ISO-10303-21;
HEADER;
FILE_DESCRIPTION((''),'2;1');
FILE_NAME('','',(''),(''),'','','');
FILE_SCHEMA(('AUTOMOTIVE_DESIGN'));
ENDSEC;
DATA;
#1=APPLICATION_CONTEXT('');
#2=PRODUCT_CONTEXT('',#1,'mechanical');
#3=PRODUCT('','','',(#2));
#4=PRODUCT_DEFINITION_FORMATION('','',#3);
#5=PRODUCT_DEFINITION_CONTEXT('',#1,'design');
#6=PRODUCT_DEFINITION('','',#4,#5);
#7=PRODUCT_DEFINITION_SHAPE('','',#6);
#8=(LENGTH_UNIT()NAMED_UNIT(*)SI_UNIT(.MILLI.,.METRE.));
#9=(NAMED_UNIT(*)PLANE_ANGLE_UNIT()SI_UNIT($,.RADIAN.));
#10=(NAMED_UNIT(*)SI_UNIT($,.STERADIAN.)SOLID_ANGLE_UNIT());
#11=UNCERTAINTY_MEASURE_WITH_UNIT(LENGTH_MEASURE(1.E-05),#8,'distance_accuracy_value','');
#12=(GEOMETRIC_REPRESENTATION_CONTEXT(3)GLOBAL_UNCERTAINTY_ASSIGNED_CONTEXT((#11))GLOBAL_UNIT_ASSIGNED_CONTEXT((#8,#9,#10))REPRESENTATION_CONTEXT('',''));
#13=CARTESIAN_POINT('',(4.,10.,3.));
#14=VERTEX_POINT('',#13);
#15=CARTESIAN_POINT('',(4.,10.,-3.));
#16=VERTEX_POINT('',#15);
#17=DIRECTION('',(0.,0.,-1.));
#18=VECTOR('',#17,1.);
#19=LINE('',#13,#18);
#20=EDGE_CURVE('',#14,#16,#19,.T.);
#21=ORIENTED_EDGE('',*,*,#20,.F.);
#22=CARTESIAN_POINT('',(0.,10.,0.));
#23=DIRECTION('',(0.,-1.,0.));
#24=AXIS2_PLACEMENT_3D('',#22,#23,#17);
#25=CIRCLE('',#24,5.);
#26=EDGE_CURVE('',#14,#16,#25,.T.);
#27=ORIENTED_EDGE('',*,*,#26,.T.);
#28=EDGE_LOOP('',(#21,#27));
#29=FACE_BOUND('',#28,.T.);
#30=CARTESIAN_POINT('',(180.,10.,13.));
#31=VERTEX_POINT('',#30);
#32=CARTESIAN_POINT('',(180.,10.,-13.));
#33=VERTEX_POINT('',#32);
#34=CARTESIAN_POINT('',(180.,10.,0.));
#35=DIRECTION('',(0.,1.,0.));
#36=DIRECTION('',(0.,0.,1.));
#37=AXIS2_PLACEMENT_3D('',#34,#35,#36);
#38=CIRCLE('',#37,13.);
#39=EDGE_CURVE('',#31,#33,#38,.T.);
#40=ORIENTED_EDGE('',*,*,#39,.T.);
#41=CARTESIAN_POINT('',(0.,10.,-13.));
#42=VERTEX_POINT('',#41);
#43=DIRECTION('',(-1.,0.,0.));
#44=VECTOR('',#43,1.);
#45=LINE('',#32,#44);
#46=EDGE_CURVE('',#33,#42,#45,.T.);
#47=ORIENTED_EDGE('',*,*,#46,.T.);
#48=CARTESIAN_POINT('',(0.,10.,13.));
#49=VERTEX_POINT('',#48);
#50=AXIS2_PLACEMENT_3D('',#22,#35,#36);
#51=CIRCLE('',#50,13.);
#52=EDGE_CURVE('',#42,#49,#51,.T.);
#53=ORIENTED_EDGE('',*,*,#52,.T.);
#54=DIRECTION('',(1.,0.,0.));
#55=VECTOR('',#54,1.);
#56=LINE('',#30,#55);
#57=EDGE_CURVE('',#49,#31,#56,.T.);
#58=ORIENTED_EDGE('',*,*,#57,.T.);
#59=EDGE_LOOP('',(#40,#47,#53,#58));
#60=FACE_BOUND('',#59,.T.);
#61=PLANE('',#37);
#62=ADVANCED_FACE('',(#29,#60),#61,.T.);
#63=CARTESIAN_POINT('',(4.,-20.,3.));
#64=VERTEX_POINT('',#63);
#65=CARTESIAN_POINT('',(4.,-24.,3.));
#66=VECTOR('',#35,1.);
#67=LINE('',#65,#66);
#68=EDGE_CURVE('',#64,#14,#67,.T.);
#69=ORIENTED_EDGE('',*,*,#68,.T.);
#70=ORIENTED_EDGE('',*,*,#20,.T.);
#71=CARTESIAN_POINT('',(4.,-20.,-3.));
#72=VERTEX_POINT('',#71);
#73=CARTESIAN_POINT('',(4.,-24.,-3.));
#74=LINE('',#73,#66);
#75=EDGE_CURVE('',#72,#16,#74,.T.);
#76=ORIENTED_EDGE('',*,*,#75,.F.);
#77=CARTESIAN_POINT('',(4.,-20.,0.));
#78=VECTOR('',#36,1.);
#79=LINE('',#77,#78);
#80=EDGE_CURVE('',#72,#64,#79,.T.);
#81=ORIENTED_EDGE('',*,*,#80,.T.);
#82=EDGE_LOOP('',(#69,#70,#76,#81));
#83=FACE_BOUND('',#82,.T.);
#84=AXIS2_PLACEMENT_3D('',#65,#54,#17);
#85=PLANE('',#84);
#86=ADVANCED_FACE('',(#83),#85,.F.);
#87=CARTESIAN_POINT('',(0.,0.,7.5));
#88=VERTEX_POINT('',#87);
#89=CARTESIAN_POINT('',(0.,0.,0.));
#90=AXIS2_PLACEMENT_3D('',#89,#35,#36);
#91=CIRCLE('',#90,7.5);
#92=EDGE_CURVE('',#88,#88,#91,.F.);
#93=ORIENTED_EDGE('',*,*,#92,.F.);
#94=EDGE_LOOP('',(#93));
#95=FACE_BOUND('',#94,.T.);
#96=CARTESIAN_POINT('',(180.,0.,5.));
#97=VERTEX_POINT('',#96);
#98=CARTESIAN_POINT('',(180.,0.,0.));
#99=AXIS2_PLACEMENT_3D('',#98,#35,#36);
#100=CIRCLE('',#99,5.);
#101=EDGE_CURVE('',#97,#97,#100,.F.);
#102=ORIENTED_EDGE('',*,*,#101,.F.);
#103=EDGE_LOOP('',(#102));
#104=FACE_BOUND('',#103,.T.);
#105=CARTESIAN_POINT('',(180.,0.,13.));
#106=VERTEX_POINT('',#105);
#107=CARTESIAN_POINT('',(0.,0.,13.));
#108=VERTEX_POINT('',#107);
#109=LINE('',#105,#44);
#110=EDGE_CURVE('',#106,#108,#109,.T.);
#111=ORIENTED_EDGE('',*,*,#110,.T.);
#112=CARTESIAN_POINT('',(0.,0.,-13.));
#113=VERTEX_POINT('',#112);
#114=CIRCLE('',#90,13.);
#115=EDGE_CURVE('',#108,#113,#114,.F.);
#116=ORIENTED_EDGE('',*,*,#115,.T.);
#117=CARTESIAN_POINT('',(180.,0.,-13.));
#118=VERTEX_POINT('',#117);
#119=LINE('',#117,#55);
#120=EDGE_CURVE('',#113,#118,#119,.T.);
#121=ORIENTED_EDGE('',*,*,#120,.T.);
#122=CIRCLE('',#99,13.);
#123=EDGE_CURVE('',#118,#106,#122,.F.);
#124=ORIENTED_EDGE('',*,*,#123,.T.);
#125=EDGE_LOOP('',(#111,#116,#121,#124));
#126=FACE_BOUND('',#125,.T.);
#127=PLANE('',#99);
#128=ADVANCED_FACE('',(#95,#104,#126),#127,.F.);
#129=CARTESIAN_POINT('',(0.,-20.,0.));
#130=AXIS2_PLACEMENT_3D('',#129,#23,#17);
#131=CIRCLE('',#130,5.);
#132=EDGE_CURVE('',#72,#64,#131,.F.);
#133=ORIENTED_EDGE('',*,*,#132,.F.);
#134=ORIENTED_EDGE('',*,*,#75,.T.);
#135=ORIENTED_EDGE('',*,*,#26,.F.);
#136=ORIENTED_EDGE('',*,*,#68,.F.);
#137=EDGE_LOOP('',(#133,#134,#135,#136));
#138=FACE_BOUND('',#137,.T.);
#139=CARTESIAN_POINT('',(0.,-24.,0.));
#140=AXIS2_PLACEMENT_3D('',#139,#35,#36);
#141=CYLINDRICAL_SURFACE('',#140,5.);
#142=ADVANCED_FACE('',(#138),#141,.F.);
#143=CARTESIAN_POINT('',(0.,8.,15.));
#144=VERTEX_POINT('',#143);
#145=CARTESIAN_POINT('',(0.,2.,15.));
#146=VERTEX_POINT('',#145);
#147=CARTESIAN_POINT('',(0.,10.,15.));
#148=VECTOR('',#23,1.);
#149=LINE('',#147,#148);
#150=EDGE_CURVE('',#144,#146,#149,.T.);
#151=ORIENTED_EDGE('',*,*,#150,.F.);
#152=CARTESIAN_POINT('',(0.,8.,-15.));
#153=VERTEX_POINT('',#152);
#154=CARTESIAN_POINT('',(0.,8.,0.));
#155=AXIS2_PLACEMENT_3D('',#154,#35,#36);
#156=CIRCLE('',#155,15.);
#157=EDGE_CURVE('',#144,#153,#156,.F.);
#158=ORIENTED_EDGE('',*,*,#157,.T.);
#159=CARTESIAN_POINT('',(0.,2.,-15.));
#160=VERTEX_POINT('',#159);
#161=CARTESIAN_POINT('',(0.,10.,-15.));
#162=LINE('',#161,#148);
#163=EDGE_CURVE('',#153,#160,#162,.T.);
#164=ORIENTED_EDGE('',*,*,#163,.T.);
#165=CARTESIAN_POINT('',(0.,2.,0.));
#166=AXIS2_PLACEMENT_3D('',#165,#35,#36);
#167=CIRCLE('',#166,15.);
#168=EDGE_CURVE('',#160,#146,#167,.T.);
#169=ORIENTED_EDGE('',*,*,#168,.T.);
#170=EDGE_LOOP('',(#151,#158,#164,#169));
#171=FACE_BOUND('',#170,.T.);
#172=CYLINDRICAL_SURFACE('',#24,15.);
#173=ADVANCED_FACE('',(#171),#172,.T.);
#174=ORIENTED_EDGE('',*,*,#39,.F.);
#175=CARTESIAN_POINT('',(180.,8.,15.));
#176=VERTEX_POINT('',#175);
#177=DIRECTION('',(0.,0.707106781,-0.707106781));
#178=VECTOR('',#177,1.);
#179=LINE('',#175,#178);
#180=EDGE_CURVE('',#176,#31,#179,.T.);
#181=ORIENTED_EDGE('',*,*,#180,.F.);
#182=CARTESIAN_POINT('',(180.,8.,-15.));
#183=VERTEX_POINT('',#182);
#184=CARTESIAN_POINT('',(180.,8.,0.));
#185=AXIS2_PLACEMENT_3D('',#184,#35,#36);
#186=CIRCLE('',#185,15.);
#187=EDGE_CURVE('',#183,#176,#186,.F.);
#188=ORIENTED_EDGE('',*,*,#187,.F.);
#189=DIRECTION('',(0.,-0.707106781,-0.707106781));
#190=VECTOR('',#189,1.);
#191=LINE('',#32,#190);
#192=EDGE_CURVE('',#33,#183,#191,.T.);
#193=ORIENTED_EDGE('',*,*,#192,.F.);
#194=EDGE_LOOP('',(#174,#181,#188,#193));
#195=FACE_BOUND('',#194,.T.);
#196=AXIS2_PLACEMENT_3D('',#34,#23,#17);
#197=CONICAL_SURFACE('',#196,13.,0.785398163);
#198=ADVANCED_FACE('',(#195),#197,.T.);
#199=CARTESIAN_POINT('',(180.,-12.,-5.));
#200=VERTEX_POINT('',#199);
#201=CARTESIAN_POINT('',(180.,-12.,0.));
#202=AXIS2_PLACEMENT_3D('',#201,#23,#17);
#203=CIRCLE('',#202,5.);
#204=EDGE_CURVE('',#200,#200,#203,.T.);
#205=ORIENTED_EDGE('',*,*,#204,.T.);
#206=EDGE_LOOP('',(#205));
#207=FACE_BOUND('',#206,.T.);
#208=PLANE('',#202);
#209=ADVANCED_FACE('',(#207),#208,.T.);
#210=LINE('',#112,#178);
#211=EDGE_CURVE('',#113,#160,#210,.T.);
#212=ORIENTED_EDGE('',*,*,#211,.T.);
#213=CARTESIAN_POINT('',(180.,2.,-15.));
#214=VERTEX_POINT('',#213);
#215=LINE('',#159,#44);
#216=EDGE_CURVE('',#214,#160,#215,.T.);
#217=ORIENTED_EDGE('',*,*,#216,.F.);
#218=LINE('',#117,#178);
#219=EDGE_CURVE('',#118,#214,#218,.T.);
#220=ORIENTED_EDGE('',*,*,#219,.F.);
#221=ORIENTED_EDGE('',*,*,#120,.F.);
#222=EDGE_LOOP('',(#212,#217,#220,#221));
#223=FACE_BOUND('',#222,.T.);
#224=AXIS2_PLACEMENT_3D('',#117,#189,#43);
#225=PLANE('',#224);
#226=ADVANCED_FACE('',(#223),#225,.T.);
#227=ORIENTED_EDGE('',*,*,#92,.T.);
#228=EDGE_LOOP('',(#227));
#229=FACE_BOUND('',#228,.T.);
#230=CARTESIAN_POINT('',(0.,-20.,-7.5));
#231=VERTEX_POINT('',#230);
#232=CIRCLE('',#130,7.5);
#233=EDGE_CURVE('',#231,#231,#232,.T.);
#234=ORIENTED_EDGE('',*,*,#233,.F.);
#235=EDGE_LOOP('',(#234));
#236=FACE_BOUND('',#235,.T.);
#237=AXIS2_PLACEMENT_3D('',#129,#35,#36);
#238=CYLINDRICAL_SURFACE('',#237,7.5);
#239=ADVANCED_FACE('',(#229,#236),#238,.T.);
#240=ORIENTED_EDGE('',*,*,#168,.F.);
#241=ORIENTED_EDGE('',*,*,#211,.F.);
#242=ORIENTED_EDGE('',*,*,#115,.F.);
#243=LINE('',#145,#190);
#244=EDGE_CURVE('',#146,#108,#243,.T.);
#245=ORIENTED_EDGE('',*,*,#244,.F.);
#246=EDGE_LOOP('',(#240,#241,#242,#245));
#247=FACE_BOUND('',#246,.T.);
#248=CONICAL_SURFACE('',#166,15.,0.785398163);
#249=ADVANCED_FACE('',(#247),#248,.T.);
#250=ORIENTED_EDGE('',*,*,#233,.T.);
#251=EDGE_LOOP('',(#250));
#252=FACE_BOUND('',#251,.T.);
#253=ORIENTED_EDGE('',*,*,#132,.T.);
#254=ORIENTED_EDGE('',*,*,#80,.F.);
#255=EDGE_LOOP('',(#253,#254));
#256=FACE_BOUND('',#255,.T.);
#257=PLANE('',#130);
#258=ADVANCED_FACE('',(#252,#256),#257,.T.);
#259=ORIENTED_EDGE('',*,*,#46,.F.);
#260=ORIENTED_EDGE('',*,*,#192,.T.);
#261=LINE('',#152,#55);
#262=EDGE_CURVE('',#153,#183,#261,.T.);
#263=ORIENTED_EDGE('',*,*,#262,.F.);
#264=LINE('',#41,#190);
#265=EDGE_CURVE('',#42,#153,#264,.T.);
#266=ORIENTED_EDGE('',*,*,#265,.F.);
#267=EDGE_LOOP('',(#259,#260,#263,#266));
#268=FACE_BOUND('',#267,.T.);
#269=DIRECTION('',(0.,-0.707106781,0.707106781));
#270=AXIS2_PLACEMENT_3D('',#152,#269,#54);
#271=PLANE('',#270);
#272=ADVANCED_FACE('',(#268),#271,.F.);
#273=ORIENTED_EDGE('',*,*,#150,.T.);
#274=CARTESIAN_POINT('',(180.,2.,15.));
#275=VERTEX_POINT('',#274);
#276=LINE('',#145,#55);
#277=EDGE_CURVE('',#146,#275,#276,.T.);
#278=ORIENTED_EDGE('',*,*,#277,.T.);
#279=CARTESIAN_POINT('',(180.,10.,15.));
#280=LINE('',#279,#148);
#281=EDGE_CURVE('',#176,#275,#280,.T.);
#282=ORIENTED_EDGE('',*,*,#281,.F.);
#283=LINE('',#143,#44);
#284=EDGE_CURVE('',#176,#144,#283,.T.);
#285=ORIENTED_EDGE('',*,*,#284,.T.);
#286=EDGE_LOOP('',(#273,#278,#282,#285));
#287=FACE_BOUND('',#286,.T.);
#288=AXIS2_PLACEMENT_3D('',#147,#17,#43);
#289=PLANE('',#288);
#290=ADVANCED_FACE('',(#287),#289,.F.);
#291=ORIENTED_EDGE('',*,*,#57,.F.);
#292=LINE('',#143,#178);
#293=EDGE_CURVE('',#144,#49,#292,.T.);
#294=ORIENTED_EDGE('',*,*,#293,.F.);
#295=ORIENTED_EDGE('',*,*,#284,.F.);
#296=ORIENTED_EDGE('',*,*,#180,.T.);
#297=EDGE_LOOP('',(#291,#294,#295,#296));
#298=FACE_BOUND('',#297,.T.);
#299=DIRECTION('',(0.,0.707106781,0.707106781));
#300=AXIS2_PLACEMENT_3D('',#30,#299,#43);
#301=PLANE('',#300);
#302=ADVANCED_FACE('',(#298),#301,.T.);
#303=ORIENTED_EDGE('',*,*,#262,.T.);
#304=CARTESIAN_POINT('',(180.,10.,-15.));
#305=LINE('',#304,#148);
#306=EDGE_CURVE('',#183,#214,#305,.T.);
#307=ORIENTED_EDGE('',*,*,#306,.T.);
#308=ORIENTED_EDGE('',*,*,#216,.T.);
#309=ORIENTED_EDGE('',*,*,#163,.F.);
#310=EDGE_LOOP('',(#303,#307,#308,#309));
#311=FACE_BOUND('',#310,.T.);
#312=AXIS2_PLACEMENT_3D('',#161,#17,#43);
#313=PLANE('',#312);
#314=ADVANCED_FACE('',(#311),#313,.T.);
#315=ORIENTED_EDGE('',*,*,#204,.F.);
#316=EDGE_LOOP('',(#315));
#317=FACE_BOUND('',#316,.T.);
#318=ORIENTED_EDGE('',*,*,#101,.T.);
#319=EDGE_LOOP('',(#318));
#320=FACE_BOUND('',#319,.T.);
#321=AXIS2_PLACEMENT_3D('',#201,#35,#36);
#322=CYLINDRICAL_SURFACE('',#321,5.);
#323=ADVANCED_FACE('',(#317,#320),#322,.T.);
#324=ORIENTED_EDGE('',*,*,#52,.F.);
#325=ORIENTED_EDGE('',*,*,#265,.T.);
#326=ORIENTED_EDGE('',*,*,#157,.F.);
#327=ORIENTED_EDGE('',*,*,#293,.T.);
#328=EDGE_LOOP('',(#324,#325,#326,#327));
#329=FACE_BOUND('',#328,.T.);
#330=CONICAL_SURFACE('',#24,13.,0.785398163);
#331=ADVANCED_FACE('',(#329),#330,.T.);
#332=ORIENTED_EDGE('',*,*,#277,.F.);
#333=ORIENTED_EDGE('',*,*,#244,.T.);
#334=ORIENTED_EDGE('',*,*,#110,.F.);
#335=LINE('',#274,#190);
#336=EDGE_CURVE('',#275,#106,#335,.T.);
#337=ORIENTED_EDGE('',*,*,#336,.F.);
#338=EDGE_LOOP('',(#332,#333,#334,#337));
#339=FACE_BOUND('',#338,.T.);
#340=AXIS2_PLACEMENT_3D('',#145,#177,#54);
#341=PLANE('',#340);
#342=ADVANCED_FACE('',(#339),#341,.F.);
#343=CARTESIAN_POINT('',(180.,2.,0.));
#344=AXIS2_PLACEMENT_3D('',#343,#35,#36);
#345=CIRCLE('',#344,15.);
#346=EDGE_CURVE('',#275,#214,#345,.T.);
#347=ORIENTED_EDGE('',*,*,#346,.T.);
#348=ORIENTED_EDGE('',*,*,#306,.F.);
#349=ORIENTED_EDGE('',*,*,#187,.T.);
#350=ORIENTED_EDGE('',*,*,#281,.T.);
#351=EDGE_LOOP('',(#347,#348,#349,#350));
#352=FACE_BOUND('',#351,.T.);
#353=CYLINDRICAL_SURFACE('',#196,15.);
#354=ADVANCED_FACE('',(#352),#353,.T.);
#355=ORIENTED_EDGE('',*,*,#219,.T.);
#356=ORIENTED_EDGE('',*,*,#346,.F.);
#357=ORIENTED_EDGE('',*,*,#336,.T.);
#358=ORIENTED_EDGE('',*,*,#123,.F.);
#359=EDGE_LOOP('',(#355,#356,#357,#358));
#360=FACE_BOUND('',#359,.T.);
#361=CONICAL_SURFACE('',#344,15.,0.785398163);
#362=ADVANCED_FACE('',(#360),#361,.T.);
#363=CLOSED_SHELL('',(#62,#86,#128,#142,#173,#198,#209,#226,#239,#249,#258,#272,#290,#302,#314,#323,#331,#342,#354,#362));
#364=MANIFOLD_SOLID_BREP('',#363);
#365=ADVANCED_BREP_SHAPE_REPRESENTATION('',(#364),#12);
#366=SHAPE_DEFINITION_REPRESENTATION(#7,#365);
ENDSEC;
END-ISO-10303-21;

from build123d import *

# Parameters (mm, degrees)
EXTRUDE_2_DEPTH          = 10
CHAMFER_1_SIZE           = 2
SKETCH_9_R               = 7.5
EXTRUDE_7_DEPTH          = 20
CUT_EXTRUDE_3_DEPTH      = 24
CUT_EXTRUDE_3_DEPTH_BACK = 197.596032513
SKETCH_11_R              = 5
EXTRUDE_8_DEPTH          = 12


with BuildPart() as part:
    # 草图1 → 凸台-拉伸2 (new body)
    with BuildSketch(Plane(origin=(0, 0, 0), x_dir=(1, 0, 0), z_dir=(0, 1, 0))):
        with BuildLine():
            Line((0, 15), (180, 15))
            ThreePointArc((180, 15), (195, 0), (180, -15))
            Line((180, -15), (0, -15))
            ThreePointArc((0, -15), (-15, 0), (0, 15))
        make_face()
    extrude(amount=EXTRUDE_2_DEPTH)

    # 倒角1
    chamfer_1_edges = [part.edges().sort_by_distance(p)[0] for p in [
        (90, 10, -15),
        (-15, 10, 0),
        (90, 10, 15),
        (-15, 0, 0),
        (90, 0, -15),
        (195, 0, 0),
        (90, 0, 15),
        (195, 10, 0),
    ]]
    chamfer(chamfer_1_edges, length=CHAMFER_1_SIZE)

    # 草图9 → 凸台-拉伸7 (add)
    with BuildSketch(Plane.XZ):
        with Locations(Location((0, 0, 0), (0, 0, 90))):
            Circle(SKETCH_9_R)
    extrude(amount=EXTRUDE_7_DEPTH)

    # 草图4 → 切除-拉伸3 (cut, two sides: drawn at the far end of the back side and taken through both)
    with BuildSketch(Plane.XZ.offset(-CUT_EXTRUDE_3_DEPTH_BACK)):
        with BuildLine():
            Line((4, 3), (4, -3))
            ThreePointArc((4, -3), (-5, 0), (4, 3))
        make_face()
    extrude(amount=CUT_EXTRUDE_3_DEPTH + CUT_EXTRUDE_3_DEPTH_BACK, mode=Mode.SUBTRACT)

    # 草图11 → 凸台-拉伸8 (add)
    with BuildSketch(Plane.XZ):
        with Locations(Location((180, 0, 0), (0, 0, 90))):
            Circle(SKETCH_11_R)
    extrude(amount=EXTRUDE_8_DEPTH)


solid = part.part
